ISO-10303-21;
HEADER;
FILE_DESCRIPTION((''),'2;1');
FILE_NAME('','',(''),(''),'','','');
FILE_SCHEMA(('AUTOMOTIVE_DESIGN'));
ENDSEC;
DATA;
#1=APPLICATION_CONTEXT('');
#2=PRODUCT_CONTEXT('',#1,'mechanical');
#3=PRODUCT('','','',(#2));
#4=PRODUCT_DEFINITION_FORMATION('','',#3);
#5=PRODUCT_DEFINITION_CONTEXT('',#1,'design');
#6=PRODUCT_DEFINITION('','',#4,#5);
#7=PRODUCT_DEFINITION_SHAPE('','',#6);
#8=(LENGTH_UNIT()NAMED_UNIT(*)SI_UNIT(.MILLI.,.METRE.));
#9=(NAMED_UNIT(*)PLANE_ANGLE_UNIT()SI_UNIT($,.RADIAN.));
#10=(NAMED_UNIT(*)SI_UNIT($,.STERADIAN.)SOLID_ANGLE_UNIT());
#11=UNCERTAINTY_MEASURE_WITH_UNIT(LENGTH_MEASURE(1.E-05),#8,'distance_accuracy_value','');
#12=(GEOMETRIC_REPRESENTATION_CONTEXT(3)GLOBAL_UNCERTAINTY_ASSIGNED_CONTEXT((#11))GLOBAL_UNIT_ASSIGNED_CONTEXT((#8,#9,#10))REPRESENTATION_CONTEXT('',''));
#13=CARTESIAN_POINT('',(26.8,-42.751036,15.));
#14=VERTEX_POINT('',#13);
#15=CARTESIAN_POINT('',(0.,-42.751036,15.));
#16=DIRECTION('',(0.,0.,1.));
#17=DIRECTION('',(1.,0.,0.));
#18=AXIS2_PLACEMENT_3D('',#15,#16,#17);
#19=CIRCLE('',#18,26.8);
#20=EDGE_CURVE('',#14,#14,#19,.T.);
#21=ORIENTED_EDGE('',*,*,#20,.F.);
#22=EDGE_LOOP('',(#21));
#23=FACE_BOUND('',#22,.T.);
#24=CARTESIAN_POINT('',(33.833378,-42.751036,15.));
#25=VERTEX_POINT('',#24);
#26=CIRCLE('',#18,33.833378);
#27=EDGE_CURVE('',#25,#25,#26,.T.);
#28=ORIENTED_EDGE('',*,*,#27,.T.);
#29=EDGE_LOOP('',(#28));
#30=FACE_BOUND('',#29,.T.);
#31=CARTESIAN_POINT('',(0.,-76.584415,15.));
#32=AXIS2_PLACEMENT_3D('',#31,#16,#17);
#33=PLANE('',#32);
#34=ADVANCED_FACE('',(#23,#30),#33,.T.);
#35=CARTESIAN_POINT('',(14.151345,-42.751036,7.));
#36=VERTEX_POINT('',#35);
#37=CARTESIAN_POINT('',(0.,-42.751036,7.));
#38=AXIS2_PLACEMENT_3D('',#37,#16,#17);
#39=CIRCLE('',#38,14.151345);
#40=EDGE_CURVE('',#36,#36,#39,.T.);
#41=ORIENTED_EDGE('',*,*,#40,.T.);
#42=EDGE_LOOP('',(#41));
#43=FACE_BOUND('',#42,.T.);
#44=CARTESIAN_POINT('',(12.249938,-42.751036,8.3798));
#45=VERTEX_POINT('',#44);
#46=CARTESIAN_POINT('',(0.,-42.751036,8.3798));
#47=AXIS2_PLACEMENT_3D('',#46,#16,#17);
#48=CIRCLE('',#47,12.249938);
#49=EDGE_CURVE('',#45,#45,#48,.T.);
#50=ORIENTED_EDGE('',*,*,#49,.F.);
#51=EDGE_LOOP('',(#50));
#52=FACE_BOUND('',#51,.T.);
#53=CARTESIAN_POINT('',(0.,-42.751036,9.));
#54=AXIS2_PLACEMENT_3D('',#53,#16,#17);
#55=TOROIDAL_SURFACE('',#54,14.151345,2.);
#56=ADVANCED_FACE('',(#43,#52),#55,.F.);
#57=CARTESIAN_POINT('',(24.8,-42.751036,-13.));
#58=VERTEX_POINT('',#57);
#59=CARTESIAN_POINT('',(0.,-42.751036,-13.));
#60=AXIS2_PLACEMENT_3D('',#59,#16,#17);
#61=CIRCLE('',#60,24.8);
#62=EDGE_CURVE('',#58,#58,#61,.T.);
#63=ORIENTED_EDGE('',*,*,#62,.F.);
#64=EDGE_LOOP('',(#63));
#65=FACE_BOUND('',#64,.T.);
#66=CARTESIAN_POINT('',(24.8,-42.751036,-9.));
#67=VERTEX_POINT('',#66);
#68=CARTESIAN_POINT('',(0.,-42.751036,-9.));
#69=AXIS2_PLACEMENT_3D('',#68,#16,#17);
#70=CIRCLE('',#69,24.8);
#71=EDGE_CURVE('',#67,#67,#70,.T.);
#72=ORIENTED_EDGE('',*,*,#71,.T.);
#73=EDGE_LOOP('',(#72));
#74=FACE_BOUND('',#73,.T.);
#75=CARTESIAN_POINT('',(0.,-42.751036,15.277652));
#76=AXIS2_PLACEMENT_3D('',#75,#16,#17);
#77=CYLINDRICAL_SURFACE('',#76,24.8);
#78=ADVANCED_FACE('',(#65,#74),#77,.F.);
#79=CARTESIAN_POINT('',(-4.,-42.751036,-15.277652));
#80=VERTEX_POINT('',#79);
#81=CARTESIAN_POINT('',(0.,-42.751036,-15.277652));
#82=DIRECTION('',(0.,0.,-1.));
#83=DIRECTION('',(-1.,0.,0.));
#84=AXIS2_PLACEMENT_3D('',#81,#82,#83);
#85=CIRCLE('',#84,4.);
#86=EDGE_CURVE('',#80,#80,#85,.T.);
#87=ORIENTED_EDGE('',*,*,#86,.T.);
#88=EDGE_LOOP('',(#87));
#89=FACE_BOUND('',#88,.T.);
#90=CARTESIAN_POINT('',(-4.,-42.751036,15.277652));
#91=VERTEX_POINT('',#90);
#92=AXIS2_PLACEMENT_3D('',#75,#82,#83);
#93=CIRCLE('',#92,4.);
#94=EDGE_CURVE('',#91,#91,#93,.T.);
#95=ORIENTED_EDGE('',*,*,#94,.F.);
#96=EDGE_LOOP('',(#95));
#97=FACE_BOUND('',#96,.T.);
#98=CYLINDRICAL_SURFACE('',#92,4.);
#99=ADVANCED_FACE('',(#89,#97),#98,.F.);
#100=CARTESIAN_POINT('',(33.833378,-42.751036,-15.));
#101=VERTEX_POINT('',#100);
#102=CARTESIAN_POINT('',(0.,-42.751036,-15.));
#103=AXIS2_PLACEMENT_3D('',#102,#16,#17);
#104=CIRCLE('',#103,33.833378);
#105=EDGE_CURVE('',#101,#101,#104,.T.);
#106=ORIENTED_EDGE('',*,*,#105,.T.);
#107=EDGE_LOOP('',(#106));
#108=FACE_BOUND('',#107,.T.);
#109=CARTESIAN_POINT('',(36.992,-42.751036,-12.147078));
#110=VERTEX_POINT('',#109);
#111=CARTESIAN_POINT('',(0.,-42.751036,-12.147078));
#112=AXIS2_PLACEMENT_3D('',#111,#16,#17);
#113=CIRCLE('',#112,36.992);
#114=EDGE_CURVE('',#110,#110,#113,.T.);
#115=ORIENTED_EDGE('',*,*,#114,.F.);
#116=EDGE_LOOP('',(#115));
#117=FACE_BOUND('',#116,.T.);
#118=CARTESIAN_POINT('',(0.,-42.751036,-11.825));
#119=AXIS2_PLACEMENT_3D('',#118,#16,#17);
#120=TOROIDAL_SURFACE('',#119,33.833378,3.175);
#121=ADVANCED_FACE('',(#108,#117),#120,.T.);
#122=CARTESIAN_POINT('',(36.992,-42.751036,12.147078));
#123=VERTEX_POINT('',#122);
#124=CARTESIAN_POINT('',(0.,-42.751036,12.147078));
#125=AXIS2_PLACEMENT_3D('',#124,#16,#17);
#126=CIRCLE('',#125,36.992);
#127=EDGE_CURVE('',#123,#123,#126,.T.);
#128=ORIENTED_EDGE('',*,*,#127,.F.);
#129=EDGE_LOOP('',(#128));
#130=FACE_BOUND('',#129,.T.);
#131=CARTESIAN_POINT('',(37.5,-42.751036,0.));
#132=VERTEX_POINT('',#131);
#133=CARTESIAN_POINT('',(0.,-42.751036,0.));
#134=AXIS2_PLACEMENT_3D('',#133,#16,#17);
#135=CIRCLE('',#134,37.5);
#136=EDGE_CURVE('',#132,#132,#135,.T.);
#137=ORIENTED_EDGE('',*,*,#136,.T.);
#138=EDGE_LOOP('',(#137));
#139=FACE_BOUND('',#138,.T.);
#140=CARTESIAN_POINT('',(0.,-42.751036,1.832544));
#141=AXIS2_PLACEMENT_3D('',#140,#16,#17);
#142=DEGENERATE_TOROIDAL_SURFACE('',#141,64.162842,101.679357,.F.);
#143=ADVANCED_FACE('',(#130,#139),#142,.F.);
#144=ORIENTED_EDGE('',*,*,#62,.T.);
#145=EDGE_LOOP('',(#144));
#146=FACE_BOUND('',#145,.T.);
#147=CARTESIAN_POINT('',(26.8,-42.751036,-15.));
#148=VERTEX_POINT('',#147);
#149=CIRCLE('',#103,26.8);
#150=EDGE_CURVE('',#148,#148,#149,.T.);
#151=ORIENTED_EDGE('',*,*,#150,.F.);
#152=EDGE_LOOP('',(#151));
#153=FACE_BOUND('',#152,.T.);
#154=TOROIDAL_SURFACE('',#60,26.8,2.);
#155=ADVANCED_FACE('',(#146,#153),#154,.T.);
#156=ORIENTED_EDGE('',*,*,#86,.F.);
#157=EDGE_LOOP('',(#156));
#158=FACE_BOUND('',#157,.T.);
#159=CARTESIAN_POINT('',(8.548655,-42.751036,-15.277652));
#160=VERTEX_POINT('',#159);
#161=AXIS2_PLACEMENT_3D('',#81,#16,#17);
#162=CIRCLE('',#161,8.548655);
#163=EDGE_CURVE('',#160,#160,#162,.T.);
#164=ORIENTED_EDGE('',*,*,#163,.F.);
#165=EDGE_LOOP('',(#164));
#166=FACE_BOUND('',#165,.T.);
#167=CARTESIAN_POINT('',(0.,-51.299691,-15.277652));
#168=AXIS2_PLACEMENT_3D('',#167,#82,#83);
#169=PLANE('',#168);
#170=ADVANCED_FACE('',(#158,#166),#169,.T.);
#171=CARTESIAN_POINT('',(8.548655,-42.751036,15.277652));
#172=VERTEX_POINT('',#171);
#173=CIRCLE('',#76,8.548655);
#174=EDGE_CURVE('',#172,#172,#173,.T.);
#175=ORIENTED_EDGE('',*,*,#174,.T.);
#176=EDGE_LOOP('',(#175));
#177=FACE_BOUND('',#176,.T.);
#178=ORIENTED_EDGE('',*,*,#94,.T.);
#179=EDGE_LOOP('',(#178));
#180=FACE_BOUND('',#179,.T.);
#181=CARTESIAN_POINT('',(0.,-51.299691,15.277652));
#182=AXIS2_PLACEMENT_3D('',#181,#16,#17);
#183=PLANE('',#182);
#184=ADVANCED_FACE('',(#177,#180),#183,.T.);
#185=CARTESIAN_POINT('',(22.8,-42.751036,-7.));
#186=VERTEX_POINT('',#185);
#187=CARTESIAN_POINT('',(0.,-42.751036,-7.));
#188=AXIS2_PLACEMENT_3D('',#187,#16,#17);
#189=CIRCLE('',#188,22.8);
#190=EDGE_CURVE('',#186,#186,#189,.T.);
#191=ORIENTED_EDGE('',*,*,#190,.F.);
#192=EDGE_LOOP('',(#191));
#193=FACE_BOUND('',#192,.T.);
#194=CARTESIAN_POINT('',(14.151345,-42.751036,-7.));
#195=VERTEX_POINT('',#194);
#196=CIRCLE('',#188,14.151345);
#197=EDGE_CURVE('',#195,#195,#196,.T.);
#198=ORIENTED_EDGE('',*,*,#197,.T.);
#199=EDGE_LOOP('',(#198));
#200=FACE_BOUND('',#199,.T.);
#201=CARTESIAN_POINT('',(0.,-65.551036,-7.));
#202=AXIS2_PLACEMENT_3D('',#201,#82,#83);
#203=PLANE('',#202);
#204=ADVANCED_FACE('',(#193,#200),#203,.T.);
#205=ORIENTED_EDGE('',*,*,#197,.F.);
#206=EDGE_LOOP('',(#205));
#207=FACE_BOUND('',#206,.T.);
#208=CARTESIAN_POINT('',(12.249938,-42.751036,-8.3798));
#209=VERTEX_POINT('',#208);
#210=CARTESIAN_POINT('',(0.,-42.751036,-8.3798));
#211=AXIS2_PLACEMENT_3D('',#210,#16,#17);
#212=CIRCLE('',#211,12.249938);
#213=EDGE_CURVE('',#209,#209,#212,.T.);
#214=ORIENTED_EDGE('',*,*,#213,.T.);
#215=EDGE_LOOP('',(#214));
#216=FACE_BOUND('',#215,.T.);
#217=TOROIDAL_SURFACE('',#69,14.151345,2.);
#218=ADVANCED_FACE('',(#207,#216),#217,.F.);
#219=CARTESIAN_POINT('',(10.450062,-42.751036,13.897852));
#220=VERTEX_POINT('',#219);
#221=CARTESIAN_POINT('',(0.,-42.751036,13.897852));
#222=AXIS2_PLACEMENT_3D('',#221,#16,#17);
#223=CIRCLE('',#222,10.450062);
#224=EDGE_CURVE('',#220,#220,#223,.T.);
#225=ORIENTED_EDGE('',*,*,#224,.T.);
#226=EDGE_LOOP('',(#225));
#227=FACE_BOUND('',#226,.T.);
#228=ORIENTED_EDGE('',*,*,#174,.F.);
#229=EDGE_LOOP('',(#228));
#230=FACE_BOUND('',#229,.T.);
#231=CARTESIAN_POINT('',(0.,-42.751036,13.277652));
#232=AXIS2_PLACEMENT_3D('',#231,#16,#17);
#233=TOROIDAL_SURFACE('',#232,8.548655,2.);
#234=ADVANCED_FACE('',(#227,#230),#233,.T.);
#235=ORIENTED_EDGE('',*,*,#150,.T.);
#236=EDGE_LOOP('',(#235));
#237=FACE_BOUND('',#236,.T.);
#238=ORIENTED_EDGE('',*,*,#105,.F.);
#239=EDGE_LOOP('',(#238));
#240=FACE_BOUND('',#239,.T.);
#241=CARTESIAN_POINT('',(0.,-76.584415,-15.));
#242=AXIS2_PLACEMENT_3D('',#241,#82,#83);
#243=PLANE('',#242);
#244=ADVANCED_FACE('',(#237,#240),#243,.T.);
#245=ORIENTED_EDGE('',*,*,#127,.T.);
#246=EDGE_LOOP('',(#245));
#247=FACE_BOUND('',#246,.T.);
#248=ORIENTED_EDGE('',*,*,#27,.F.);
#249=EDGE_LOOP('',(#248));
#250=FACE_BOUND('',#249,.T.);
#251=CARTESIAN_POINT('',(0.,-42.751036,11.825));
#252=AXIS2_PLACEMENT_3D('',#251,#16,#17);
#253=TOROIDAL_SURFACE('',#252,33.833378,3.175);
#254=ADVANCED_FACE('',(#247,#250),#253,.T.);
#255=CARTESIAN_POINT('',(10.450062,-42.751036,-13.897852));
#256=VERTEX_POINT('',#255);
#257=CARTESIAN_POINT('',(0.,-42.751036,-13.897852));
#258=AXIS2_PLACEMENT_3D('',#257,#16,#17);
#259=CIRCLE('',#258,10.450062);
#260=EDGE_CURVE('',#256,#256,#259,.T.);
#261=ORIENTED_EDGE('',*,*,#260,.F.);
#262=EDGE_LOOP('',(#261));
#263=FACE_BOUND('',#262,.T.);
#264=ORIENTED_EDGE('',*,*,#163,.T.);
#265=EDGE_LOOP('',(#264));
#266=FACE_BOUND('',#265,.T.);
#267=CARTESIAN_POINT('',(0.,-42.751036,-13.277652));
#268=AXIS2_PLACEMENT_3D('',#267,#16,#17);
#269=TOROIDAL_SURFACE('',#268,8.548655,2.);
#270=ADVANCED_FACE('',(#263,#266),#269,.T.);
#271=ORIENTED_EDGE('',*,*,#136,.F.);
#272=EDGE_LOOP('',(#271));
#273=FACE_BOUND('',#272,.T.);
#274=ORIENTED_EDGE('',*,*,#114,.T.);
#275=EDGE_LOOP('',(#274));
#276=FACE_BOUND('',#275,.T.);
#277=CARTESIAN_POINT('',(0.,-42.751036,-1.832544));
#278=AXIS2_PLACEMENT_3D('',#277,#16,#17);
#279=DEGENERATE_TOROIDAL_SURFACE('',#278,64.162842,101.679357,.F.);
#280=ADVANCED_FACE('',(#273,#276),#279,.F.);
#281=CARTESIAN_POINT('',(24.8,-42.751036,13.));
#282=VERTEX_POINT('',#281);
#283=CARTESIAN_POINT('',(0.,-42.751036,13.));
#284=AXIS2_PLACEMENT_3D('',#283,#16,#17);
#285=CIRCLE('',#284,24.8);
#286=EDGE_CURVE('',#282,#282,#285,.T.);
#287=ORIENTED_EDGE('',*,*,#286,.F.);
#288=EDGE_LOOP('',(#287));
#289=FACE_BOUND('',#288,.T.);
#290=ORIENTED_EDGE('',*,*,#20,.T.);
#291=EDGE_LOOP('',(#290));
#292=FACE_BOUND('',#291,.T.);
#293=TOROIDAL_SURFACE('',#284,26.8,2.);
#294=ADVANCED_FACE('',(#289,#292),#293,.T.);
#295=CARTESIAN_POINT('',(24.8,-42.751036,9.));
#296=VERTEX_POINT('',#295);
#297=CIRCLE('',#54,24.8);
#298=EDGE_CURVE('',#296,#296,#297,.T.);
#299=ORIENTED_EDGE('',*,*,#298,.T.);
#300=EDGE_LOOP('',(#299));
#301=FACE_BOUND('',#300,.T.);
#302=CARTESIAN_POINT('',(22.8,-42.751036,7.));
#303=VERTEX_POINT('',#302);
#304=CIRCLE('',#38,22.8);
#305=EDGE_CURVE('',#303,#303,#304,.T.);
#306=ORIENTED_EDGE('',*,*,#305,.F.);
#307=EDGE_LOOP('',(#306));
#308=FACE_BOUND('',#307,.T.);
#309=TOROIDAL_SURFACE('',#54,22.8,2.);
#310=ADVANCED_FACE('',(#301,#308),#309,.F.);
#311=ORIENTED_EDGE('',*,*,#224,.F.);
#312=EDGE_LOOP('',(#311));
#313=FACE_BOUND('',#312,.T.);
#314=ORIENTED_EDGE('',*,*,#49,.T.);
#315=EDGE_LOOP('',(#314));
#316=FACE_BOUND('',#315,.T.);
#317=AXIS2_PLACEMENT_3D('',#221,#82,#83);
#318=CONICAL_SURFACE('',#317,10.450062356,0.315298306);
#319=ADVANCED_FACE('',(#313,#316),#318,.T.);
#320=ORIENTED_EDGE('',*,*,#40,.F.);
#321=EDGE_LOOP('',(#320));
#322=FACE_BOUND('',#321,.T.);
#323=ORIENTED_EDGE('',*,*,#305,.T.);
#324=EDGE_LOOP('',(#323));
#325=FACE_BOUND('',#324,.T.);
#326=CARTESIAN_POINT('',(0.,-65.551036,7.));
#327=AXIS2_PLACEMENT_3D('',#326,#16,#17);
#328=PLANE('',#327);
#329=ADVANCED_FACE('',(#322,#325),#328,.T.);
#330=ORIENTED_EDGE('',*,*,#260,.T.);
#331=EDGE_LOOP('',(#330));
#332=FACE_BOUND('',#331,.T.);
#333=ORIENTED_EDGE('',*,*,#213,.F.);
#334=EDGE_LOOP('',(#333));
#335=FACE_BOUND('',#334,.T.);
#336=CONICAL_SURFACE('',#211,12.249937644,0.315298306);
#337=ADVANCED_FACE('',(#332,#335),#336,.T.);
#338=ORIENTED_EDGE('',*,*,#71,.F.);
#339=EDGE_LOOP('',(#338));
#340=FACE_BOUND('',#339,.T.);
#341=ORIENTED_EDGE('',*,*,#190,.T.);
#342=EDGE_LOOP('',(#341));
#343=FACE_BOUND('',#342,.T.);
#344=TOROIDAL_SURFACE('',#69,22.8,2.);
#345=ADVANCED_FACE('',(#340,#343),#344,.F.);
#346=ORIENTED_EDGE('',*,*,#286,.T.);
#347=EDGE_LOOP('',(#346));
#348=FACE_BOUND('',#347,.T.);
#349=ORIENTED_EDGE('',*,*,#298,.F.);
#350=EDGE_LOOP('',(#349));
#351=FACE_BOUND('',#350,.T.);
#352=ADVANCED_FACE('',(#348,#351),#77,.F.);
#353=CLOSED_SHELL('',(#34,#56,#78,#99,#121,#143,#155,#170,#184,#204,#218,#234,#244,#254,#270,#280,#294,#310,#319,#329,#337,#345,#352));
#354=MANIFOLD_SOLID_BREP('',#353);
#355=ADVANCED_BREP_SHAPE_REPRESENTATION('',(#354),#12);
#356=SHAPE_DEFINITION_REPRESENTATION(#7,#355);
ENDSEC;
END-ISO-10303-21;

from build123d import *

# Parameters (mm, degrees)
ESBO_O1_R             = 4
CORTE_EXTRUS_O1_DEPTH = 94.722971268


with BuildPart() as part:
    # Sketch8 → Revolve2 (revolve)
    with BuildSketch(Plane(origin=(0, 0, 0), x_dir=(0, 0, -1), z_dir=(1, 0, 0)), mode=Mode.PRIVATE) as revolve2_sk:
        with BuildLine():
            Line((-15.277651946, -42.751036358), (15.277651946, -42.751036358))
            Line((15.277651946, -42.751036358), (15.277651946, -51.299690881))
            ThreePointArc((15.277651946, -51.299690881), (14.896355184, -52.474339692), (13.897852117, -53.201098715))
            Line((13.897852117, -53.201098715), (8.379799829, -55.000974002))
            ThreePointArc((8.379799829, -55.000974002), (7.381296763, -55.727733024), (7, -56.902381835))
            Line((7, -56.902381835), (7, -65.551036358))
            ThreePointArc((7, -65.551036358), (7.585786438, -66.965249921), (9, -67.551036358))
            Line((9, -67.551036358), (13, -67.551036358))
            ThreePointArc((13, -67.551036358), (14.414213562, -68.136822796), (15, -69.551036358))
            Line((15, -69.551036358), (15, -76.584414663))
            ThreePointArc((15, -76.584414663), (14.181185625, -78.712562755), (12.147077606, -79.743036358))
            ThreePointArc((12.147077606, -79.743036358), (6.081138229, -80.17875056), (0, -80.251036358))
            ThreePointArc((0, -80.251036358), (-6.081138229, -80.17875056), (-12.147077606, -79.743036358))
            ThreePointArc((-12.147077606, -79.743036358), (-14.181185625, -78.712562755), (-15, -76.584414663))
            Line((-15, -76.584414663), (-15, -69.551036358))
            ThreePointArc((-15, -69.551036358), (-14.414213562, -68.136822796), (-13, -67.551036358))
            Line((-13, -67.551036358), (-9, -67.551036358))
            ThreePointArc((-9, -67.551036358), (-7.585786438, -66.965249921), (-7, -65.551036358))
            Line((-7, -65.551036358), (-7, -56.902381835))
            ThreePointArc((-7, -56.902381835), (-7.381296763, -55.727733024), (-8.379799829, -55.000974002))
            Line((-8.379799829, -55.000974002), (-13.897852117, -53.201098715))
            ThreePointArc((-13.897852117, -53.201098715), (-14.896355184, -52.474339692), (-15.277651946, -51.299690881))
            Line((-15.277651946, -51.299690881), (-15.277651946, -42.751036358))
        make_face()
    revolve(revolve2_sk.sketch.rotate(Axis((0, -42.751036358, 15.277651946), (0, 0, -1)), 270), axis=Axis((0, -42.751036358, 15.277651946), (0, 0, -1)))

    # Esboço1 → Corte-extrusão1 (cut, through all)
    with BuildSketch(Plane(origin=(0, 0, -15.277651946), x_dir=(-1, 0, 0), z_dir=(0, 0, -1))):
        with Locations((0, -42.751036358)):
            Circle(ESBO_O1_R)
    extrude(amount=-CORTE_EXTRUS_O1_DEPTH, mode=Mode.SUBTRACT)


solid = part.part
